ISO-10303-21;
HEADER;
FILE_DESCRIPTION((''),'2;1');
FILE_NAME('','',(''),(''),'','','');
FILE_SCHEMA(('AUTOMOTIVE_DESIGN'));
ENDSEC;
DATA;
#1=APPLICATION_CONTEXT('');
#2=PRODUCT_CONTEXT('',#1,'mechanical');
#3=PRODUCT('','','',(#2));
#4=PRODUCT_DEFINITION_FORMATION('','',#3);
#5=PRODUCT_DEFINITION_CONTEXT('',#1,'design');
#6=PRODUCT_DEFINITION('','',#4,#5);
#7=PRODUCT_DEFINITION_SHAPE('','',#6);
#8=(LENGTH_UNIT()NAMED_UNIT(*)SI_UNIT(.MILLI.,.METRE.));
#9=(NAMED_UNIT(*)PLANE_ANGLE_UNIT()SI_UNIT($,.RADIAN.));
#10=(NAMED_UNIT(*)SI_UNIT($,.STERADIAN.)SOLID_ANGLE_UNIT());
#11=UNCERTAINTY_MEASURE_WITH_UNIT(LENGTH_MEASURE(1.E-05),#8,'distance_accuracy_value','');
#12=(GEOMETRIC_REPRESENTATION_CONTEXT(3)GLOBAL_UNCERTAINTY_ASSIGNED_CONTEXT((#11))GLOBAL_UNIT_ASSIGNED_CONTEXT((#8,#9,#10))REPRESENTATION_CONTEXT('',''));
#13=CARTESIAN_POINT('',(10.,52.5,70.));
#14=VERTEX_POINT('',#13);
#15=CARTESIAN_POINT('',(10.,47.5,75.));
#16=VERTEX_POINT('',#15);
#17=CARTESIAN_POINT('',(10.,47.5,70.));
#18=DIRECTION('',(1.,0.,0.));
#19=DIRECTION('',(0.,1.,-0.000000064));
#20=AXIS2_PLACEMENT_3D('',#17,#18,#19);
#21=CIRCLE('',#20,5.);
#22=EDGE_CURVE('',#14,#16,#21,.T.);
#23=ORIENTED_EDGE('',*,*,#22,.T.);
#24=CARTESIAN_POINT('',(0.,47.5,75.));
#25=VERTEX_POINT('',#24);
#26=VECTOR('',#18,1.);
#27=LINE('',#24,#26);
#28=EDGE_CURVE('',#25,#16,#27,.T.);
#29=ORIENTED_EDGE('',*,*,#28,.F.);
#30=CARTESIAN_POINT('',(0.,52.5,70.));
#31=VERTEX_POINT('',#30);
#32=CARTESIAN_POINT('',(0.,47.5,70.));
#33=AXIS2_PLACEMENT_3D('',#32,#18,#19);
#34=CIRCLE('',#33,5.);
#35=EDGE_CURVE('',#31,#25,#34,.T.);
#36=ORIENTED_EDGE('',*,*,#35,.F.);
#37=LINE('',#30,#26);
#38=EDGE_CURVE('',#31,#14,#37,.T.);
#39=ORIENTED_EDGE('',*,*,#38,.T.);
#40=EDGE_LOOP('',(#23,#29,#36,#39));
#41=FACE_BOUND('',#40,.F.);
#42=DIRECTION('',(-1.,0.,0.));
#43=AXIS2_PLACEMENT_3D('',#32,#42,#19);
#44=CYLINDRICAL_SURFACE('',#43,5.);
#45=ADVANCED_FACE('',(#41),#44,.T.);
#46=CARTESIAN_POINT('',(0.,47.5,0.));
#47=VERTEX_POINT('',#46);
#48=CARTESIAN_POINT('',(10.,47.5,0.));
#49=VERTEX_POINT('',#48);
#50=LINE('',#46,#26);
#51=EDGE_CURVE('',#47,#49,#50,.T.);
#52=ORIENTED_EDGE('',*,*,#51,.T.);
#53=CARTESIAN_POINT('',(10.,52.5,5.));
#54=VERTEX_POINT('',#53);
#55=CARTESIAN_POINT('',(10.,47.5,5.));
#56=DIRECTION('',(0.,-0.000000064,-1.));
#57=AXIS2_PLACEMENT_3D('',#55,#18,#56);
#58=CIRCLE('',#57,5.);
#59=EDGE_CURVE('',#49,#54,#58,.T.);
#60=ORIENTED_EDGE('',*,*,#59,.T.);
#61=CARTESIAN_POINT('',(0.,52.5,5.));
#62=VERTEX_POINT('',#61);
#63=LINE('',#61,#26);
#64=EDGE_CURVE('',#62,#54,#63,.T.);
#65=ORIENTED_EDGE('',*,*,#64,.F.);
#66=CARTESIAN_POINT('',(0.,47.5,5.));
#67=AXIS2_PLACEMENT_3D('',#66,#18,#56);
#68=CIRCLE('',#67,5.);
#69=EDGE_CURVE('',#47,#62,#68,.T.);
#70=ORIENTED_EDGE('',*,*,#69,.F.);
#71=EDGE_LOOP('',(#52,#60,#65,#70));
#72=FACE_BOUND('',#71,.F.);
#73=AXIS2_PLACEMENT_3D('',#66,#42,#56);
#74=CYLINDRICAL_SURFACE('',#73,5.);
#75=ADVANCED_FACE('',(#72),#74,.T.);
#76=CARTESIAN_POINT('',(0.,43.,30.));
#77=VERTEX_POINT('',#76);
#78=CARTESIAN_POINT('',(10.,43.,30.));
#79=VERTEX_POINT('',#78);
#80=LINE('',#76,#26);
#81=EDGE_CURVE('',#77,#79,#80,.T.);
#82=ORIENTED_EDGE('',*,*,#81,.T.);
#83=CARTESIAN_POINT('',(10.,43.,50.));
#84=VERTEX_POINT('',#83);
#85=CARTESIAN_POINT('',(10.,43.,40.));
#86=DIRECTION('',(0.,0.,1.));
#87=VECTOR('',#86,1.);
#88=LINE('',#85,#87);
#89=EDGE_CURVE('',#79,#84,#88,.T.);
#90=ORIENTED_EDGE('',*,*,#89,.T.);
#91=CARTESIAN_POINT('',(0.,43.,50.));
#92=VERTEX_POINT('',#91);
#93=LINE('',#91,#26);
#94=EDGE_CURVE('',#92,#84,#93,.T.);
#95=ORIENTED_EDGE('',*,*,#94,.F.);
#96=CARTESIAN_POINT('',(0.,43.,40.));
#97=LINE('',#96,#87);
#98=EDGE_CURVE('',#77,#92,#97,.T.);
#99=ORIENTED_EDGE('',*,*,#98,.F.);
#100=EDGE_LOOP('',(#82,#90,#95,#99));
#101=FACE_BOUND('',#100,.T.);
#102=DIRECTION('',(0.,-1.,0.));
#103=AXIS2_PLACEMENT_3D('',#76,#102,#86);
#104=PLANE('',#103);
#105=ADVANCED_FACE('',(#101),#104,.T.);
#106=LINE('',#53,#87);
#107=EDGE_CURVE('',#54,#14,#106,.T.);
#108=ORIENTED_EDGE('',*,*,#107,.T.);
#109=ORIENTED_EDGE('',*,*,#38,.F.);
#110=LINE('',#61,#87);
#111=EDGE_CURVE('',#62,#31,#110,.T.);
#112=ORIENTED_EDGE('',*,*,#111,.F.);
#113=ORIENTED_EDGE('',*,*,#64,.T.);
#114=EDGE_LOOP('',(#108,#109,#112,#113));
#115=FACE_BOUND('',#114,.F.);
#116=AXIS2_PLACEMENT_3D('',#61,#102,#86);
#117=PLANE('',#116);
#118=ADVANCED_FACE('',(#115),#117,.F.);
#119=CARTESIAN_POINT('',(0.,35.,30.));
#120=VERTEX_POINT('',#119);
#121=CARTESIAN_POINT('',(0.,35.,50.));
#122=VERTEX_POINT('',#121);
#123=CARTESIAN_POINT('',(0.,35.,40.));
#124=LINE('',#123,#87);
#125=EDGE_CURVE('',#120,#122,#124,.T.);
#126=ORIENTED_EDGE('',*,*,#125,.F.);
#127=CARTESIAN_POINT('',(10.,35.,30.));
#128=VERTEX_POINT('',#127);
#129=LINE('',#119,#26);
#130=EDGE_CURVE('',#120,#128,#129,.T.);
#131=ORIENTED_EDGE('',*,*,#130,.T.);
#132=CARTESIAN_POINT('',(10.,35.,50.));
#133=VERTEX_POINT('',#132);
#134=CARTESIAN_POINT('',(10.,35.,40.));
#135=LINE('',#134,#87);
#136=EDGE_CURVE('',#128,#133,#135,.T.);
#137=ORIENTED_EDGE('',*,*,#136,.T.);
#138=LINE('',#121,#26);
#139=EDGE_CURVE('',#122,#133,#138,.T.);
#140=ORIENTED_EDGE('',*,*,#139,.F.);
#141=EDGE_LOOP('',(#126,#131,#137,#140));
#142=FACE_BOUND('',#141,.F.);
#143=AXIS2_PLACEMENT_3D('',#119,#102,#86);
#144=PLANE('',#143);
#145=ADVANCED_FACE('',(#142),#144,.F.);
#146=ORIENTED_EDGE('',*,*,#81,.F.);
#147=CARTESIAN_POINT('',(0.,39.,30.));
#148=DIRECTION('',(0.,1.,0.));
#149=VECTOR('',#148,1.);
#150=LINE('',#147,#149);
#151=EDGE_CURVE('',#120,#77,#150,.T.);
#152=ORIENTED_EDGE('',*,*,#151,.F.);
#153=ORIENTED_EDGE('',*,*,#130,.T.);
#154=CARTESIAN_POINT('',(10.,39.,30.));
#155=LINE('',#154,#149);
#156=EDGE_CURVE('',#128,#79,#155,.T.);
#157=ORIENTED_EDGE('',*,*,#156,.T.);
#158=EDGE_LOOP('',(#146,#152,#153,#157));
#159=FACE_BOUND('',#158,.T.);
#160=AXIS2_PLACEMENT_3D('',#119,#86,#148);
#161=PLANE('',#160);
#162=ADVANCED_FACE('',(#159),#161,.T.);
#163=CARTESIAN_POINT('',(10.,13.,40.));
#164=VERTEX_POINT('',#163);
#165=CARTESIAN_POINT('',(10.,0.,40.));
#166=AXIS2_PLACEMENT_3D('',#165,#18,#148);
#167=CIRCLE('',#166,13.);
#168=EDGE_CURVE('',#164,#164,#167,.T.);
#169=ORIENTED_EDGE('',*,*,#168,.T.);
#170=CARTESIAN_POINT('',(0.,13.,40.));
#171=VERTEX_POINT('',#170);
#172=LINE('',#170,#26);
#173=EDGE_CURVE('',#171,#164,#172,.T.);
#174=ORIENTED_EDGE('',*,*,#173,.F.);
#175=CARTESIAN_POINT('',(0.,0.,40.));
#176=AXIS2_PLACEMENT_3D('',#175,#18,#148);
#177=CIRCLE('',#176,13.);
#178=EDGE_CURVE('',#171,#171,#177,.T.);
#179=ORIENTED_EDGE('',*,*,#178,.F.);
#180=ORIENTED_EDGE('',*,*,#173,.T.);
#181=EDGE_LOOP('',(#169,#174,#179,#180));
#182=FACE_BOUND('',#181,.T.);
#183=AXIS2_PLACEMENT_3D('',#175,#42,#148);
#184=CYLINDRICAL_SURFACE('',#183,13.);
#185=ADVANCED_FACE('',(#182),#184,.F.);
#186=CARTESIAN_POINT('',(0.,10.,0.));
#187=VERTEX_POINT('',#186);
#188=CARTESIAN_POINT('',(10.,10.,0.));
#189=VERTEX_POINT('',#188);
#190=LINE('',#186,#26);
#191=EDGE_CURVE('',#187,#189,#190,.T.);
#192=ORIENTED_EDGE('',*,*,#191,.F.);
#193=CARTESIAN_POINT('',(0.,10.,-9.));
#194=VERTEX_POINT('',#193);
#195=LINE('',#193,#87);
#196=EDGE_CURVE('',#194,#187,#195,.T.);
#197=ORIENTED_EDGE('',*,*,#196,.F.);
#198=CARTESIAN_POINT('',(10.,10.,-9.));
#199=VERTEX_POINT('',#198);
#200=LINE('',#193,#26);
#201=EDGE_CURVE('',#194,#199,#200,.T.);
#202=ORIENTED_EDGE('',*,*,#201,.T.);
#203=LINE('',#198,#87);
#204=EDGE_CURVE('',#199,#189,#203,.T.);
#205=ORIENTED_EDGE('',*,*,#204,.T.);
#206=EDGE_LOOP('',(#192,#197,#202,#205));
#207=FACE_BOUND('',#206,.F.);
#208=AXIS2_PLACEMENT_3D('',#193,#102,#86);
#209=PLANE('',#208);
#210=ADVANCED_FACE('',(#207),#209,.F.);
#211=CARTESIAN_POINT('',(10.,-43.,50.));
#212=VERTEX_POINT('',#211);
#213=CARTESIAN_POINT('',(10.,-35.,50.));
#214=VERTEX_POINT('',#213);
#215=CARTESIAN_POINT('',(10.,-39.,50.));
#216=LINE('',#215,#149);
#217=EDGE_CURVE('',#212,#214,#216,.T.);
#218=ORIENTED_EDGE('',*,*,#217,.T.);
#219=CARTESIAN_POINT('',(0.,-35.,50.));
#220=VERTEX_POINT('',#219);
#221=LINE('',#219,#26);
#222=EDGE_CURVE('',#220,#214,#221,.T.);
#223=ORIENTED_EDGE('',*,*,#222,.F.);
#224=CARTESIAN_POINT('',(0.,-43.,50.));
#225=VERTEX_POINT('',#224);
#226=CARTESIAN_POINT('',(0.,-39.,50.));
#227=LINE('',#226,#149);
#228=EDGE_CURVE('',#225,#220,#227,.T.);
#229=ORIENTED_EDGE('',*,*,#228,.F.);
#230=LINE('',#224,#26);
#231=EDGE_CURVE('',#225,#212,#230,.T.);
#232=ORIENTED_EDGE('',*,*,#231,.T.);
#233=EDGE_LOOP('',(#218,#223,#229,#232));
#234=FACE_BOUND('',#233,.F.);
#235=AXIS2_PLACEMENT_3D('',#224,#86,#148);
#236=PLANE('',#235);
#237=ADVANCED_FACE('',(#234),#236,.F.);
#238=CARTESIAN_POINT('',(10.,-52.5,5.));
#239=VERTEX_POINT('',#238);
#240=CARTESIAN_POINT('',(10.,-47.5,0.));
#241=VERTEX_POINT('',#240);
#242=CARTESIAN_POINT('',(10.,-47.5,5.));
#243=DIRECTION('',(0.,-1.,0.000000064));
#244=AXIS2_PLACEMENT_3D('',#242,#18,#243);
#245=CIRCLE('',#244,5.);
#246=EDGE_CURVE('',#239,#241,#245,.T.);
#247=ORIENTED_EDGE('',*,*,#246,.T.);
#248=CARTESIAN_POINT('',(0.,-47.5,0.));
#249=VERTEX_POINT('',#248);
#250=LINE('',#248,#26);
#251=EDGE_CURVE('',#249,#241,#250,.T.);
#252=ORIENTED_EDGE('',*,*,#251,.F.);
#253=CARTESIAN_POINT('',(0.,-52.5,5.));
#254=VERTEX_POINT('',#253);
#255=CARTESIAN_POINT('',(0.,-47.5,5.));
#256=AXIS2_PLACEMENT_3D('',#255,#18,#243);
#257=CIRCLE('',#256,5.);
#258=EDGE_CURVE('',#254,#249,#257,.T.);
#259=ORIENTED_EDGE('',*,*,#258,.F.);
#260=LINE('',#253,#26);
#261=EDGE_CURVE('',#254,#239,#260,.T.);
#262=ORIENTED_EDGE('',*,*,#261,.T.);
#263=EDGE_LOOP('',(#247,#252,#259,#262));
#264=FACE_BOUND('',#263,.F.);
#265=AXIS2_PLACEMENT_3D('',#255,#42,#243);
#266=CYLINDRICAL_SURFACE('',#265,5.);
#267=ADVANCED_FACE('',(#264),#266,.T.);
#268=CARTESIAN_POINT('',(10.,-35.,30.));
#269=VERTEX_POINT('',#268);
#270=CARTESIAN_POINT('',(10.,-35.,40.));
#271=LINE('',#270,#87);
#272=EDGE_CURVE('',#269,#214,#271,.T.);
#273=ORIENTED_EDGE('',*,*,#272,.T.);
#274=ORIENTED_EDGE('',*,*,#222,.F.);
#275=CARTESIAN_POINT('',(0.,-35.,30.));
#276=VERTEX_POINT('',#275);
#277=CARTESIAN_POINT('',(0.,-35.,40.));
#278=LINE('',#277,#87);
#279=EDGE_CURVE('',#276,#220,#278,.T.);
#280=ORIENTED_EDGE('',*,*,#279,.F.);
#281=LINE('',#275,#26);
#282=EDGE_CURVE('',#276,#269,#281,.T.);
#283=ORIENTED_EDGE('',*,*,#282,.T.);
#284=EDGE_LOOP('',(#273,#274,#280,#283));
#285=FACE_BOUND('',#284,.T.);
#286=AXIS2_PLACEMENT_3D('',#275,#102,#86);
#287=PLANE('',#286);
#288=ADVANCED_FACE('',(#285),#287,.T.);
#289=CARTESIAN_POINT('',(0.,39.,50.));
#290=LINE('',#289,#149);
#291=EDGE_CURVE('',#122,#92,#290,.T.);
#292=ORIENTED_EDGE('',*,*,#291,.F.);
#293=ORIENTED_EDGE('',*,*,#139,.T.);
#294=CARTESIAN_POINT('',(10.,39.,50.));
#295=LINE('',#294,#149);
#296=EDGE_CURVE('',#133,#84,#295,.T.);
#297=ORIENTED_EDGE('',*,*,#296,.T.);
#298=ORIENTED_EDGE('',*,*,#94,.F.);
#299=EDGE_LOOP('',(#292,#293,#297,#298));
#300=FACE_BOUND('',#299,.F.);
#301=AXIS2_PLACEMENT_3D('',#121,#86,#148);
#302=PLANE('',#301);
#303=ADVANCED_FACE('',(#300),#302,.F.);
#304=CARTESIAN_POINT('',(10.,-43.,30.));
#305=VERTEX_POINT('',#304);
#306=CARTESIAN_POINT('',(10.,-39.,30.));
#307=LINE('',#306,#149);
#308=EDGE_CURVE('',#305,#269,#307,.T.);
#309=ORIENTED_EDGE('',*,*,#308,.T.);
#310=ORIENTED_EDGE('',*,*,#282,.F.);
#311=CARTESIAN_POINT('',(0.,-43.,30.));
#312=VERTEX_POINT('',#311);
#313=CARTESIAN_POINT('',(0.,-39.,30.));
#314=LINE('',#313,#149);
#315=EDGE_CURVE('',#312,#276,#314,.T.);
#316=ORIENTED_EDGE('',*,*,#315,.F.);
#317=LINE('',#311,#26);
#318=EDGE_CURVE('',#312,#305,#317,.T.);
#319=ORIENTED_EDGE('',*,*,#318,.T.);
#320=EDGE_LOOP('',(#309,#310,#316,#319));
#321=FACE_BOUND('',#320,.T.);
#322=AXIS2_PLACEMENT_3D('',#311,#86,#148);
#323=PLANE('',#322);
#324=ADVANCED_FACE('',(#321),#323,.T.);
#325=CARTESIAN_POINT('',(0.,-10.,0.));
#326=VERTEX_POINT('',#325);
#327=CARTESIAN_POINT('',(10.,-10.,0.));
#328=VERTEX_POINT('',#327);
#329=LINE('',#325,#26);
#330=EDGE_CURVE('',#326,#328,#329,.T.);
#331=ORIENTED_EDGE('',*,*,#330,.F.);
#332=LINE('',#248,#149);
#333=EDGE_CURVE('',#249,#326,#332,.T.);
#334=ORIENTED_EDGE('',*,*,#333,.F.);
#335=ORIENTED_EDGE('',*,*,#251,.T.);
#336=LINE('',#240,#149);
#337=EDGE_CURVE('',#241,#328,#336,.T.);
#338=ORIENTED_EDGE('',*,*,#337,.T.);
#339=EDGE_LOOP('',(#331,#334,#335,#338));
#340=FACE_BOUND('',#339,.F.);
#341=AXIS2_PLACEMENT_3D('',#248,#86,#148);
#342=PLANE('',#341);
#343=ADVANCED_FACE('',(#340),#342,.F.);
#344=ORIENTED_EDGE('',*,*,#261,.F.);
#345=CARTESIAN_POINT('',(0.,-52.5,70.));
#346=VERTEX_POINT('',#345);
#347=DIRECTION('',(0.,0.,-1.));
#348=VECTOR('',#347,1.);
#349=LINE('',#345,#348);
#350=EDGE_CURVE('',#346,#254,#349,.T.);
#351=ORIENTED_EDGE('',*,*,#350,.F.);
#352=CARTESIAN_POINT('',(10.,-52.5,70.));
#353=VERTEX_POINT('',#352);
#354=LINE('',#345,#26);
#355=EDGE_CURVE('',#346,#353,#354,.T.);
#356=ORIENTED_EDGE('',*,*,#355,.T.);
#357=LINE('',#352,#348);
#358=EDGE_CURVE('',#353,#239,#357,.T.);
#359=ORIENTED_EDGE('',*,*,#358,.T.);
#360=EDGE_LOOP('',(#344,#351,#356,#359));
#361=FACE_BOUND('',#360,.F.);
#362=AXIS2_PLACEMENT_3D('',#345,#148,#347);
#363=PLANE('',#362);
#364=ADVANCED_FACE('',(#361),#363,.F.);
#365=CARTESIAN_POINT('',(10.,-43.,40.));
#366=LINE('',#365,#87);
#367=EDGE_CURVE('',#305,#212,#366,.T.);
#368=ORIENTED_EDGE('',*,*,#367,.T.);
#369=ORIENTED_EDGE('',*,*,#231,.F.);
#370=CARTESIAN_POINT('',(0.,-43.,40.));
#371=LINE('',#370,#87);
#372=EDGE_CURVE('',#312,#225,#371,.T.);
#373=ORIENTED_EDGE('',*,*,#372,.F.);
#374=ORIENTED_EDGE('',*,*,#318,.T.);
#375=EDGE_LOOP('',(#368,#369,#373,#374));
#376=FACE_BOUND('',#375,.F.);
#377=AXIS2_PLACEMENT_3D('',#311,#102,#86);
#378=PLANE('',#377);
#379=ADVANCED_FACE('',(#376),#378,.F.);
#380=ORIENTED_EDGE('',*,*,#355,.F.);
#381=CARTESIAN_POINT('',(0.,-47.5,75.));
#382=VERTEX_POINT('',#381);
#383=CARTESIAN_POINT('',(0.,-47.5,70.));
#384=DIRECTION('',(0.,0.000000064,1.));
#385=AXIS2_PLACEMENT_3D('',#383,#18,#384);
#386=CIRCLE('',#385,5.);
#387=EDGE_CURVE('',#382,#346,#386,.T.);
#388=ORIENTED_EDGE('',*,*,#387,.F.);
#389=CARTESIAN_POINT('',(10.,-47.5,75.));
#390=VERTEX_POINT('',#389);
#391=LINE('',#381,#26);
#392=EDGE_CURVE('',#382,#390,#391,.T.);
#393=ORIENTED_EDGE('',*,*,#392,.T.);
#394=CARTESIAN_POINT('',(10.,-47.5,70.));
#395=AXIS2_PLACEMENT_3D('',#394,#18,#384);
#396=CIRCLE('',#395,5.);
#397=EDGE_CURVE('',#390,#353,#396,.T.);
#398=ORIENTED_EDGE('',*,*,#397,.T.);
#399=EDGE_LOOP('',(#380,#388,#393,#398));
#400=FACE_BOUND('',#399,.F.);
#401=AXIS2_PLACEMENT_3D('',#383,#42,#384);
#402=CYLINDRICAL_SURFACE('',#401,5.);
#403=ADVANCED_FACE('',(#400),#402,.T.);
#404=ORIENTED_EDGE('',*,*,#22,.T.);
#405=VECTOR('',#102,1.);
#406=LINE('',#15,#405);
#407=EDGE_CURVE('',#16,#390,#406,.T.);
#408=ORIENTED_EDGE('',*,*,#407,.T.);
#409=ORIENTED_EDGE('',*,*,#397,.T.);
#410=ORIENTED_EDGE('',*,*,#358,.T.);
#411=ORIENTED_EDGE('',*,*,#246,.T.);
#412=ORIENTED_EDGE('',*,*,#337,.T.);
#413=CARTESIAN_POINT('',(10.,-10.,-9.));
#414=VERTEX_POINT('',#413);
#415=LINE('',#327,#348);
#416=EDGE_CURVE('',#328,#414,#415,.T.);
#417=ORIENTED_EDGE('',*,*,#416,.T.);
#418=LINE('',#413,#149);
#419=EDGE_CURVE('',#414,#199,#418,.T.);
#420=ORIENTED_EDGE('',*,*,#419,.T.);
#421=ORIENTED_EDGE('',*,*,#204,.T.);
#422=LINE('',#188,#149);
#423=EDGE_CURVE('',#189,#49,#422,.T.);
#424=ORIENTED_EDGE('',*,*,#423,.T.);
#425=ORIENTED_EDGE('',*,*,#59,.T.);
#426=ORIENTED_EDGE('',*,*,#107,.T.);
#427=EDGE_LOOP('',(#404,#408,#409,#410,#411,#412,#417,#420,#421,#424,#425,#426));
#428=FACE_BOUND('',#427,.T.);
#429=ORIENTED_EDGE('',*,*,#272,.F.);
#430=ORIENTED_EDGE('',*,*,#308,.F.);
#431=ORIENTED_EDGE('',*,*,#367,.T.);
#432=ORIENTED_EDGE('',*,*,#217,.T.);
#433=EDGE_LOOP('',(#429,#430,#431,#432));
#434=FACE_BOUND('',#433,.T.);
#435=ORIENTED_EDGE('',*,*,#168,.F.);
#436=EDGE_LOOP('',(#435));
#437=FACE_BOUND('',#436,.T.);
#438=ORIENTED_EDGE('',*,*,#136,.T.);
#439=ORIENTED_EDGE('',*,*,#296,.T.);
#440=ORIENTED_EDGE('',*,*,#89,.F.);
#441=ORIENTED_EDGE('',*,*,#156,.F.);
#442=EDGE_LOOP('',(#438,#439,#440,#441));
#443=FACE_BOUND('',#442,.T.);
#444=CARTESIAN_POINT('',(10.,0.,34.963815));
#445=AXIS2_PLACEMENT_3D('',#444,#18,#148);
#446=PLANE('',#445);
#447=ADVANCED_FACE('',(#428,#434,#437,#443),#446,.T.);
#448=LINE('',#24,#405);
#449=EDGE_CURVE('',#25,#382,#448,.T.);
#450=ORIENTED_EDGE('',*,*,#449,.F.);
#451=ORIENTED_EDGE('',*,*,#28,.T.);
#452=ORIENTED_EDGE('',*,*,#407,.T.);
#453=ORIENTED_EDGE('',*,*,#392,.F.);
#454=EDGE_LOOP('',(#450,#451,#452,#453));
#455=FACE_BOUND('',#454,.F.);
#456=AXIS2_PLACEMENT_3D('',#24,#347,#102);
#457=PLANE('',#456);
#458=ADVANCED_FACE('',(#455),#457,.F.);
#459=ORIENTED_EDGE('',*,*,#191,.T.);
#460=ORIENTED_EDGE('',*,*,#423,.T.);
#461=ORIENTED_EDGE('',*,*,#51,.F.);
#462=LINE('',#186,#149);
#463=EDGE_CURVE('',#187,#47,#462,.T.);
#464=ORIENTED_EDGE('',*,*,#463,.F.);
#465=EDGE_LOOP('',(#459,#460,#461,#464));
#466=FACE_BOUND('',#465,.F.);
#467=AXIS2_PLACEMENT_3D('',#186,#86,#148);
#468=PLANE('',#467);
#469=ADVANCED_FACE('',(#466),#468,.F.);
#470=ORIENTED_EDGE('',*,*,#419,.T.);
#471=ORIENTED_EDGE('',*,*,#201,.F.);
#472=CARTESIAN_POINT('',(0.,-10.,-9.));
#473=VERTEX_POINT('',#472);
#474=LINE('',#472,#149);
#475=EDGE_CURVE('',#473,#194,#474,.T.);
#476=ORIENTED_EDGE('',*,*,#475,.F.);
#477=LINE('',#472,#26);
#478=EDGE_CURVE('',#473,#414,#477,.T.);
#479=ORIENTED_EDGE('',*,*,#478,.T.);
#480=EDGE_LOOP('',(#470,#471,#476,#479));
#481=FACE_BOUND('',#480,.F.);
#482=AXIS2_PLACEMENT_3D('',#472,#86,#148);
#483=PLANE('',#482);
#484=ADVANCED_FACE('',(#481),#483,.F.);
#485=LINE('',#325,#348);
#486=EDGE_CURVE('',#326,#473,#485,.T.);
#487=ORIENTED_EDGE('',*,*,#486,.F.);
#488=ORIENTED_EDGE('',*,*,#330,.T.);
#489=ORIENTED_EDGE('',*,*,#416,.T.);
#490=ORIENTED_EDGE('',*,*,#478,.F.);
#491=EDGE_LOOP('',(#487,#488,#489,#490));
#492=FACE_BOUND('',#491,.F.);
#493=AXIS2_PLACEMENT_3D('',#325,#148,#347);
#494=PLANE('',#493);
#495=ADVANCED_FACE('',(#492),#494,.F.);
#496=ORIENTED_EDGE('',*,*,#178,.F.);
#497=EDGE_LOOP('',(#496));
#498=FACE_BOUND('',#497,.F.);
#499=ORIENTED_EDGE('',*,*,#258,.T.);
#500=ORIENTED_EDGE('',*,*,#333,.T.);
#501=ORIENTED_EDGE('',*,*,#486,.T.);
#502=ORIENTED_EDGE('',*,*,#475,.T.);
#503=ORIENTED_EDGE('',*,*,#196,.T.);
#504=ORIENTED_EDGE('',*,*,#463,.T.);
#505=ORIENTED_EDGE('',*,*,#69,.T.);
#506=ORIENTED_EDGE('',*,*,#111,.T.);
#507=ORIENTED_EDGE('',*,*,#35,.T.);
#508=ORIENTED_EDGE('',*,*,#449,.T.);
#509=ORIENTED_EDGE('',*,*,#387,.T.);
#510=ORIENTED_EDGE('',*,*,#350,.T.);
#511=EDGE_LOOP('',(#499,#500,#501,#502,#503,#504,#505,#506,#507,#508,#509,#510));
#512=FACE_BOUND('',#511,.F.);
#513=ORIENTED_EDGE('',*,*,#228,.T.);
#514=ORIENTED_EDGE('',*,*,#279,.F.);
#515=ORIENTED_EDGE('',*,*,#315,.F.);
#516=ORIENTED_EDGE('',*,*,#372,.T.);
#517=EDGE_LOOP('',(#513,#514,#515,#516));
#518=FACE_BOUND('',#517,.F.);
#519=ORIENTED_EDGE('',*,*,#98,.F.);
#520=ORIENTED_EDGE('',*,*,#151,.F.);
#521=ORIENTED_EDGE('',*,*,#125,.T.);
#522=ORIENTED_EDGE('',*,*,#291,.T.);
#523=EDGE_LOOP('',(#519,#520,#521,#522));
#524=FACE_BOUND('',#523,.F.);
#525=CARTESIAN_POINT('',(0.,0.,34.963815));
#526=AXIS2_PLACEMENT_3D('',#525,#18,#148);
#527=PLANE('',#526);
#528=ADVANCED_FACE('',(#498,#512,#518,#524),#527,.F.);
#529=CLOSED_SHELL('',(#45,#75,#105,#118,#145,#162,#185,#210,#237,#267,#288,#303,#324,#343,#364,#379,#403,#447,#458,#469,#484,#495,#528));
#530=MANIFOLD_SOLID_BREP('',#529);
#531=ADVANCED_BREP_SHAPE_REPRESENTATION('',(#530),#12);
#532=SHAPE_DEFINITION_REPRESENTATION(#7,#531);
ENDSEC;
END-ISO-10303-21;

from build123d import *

# Parameters (mm, degrees)
F0_W     = 8
F0_H     = 20
F0_R     = 13
F1_DEPTH = 10


with BuildPart() as f1:
    # F0 (on Right) → F1 (new body)
    with BuildSketch(Plane.YZ):
        with BuildLine():
            ThreePointArc((-52.5, 5), (-51.035534, 1.464466), (-47.5, 0))
            Line((-47.5, 0), (-10, 0))
            Line((-10, 0), (-10, -9))
            Line((-10, -9), (10, -9))
            Line((10, -9), (10, 0))
            Line((10, 0), (47.5, 0))
            ThreePointArc((47.5, 0), (51.035534, 1.464466), (52.5, 5))
            Line((52.5, 5), (52.5, 70))
            ThreePointArc((52.5, 70), (51.035534, 73.535534), (47.5, 75))
            Line((47.5, 75), (-47.5, 75))
            ThreePointArc((-47.5, 75), (-51.035534, 73.535534), (-52.5, 70))
            Line((-52.5, 70), (-52.5, 5))
        make_face()
        with Locations((-39, 40)):
            Rectangle(F0_W, F0_H, mode=Mode.SUBTRACT)
        with Locations((0, 40)):
            Circle(F0_R, mode=Mode.SUBTRACT)
        with Locations((39, 40)):
            Rectangle(F0_W, F0_H, mode=Mode.SUBTRACT)
    extrude(amount=F1_DEPTH)


solid = f1.part
